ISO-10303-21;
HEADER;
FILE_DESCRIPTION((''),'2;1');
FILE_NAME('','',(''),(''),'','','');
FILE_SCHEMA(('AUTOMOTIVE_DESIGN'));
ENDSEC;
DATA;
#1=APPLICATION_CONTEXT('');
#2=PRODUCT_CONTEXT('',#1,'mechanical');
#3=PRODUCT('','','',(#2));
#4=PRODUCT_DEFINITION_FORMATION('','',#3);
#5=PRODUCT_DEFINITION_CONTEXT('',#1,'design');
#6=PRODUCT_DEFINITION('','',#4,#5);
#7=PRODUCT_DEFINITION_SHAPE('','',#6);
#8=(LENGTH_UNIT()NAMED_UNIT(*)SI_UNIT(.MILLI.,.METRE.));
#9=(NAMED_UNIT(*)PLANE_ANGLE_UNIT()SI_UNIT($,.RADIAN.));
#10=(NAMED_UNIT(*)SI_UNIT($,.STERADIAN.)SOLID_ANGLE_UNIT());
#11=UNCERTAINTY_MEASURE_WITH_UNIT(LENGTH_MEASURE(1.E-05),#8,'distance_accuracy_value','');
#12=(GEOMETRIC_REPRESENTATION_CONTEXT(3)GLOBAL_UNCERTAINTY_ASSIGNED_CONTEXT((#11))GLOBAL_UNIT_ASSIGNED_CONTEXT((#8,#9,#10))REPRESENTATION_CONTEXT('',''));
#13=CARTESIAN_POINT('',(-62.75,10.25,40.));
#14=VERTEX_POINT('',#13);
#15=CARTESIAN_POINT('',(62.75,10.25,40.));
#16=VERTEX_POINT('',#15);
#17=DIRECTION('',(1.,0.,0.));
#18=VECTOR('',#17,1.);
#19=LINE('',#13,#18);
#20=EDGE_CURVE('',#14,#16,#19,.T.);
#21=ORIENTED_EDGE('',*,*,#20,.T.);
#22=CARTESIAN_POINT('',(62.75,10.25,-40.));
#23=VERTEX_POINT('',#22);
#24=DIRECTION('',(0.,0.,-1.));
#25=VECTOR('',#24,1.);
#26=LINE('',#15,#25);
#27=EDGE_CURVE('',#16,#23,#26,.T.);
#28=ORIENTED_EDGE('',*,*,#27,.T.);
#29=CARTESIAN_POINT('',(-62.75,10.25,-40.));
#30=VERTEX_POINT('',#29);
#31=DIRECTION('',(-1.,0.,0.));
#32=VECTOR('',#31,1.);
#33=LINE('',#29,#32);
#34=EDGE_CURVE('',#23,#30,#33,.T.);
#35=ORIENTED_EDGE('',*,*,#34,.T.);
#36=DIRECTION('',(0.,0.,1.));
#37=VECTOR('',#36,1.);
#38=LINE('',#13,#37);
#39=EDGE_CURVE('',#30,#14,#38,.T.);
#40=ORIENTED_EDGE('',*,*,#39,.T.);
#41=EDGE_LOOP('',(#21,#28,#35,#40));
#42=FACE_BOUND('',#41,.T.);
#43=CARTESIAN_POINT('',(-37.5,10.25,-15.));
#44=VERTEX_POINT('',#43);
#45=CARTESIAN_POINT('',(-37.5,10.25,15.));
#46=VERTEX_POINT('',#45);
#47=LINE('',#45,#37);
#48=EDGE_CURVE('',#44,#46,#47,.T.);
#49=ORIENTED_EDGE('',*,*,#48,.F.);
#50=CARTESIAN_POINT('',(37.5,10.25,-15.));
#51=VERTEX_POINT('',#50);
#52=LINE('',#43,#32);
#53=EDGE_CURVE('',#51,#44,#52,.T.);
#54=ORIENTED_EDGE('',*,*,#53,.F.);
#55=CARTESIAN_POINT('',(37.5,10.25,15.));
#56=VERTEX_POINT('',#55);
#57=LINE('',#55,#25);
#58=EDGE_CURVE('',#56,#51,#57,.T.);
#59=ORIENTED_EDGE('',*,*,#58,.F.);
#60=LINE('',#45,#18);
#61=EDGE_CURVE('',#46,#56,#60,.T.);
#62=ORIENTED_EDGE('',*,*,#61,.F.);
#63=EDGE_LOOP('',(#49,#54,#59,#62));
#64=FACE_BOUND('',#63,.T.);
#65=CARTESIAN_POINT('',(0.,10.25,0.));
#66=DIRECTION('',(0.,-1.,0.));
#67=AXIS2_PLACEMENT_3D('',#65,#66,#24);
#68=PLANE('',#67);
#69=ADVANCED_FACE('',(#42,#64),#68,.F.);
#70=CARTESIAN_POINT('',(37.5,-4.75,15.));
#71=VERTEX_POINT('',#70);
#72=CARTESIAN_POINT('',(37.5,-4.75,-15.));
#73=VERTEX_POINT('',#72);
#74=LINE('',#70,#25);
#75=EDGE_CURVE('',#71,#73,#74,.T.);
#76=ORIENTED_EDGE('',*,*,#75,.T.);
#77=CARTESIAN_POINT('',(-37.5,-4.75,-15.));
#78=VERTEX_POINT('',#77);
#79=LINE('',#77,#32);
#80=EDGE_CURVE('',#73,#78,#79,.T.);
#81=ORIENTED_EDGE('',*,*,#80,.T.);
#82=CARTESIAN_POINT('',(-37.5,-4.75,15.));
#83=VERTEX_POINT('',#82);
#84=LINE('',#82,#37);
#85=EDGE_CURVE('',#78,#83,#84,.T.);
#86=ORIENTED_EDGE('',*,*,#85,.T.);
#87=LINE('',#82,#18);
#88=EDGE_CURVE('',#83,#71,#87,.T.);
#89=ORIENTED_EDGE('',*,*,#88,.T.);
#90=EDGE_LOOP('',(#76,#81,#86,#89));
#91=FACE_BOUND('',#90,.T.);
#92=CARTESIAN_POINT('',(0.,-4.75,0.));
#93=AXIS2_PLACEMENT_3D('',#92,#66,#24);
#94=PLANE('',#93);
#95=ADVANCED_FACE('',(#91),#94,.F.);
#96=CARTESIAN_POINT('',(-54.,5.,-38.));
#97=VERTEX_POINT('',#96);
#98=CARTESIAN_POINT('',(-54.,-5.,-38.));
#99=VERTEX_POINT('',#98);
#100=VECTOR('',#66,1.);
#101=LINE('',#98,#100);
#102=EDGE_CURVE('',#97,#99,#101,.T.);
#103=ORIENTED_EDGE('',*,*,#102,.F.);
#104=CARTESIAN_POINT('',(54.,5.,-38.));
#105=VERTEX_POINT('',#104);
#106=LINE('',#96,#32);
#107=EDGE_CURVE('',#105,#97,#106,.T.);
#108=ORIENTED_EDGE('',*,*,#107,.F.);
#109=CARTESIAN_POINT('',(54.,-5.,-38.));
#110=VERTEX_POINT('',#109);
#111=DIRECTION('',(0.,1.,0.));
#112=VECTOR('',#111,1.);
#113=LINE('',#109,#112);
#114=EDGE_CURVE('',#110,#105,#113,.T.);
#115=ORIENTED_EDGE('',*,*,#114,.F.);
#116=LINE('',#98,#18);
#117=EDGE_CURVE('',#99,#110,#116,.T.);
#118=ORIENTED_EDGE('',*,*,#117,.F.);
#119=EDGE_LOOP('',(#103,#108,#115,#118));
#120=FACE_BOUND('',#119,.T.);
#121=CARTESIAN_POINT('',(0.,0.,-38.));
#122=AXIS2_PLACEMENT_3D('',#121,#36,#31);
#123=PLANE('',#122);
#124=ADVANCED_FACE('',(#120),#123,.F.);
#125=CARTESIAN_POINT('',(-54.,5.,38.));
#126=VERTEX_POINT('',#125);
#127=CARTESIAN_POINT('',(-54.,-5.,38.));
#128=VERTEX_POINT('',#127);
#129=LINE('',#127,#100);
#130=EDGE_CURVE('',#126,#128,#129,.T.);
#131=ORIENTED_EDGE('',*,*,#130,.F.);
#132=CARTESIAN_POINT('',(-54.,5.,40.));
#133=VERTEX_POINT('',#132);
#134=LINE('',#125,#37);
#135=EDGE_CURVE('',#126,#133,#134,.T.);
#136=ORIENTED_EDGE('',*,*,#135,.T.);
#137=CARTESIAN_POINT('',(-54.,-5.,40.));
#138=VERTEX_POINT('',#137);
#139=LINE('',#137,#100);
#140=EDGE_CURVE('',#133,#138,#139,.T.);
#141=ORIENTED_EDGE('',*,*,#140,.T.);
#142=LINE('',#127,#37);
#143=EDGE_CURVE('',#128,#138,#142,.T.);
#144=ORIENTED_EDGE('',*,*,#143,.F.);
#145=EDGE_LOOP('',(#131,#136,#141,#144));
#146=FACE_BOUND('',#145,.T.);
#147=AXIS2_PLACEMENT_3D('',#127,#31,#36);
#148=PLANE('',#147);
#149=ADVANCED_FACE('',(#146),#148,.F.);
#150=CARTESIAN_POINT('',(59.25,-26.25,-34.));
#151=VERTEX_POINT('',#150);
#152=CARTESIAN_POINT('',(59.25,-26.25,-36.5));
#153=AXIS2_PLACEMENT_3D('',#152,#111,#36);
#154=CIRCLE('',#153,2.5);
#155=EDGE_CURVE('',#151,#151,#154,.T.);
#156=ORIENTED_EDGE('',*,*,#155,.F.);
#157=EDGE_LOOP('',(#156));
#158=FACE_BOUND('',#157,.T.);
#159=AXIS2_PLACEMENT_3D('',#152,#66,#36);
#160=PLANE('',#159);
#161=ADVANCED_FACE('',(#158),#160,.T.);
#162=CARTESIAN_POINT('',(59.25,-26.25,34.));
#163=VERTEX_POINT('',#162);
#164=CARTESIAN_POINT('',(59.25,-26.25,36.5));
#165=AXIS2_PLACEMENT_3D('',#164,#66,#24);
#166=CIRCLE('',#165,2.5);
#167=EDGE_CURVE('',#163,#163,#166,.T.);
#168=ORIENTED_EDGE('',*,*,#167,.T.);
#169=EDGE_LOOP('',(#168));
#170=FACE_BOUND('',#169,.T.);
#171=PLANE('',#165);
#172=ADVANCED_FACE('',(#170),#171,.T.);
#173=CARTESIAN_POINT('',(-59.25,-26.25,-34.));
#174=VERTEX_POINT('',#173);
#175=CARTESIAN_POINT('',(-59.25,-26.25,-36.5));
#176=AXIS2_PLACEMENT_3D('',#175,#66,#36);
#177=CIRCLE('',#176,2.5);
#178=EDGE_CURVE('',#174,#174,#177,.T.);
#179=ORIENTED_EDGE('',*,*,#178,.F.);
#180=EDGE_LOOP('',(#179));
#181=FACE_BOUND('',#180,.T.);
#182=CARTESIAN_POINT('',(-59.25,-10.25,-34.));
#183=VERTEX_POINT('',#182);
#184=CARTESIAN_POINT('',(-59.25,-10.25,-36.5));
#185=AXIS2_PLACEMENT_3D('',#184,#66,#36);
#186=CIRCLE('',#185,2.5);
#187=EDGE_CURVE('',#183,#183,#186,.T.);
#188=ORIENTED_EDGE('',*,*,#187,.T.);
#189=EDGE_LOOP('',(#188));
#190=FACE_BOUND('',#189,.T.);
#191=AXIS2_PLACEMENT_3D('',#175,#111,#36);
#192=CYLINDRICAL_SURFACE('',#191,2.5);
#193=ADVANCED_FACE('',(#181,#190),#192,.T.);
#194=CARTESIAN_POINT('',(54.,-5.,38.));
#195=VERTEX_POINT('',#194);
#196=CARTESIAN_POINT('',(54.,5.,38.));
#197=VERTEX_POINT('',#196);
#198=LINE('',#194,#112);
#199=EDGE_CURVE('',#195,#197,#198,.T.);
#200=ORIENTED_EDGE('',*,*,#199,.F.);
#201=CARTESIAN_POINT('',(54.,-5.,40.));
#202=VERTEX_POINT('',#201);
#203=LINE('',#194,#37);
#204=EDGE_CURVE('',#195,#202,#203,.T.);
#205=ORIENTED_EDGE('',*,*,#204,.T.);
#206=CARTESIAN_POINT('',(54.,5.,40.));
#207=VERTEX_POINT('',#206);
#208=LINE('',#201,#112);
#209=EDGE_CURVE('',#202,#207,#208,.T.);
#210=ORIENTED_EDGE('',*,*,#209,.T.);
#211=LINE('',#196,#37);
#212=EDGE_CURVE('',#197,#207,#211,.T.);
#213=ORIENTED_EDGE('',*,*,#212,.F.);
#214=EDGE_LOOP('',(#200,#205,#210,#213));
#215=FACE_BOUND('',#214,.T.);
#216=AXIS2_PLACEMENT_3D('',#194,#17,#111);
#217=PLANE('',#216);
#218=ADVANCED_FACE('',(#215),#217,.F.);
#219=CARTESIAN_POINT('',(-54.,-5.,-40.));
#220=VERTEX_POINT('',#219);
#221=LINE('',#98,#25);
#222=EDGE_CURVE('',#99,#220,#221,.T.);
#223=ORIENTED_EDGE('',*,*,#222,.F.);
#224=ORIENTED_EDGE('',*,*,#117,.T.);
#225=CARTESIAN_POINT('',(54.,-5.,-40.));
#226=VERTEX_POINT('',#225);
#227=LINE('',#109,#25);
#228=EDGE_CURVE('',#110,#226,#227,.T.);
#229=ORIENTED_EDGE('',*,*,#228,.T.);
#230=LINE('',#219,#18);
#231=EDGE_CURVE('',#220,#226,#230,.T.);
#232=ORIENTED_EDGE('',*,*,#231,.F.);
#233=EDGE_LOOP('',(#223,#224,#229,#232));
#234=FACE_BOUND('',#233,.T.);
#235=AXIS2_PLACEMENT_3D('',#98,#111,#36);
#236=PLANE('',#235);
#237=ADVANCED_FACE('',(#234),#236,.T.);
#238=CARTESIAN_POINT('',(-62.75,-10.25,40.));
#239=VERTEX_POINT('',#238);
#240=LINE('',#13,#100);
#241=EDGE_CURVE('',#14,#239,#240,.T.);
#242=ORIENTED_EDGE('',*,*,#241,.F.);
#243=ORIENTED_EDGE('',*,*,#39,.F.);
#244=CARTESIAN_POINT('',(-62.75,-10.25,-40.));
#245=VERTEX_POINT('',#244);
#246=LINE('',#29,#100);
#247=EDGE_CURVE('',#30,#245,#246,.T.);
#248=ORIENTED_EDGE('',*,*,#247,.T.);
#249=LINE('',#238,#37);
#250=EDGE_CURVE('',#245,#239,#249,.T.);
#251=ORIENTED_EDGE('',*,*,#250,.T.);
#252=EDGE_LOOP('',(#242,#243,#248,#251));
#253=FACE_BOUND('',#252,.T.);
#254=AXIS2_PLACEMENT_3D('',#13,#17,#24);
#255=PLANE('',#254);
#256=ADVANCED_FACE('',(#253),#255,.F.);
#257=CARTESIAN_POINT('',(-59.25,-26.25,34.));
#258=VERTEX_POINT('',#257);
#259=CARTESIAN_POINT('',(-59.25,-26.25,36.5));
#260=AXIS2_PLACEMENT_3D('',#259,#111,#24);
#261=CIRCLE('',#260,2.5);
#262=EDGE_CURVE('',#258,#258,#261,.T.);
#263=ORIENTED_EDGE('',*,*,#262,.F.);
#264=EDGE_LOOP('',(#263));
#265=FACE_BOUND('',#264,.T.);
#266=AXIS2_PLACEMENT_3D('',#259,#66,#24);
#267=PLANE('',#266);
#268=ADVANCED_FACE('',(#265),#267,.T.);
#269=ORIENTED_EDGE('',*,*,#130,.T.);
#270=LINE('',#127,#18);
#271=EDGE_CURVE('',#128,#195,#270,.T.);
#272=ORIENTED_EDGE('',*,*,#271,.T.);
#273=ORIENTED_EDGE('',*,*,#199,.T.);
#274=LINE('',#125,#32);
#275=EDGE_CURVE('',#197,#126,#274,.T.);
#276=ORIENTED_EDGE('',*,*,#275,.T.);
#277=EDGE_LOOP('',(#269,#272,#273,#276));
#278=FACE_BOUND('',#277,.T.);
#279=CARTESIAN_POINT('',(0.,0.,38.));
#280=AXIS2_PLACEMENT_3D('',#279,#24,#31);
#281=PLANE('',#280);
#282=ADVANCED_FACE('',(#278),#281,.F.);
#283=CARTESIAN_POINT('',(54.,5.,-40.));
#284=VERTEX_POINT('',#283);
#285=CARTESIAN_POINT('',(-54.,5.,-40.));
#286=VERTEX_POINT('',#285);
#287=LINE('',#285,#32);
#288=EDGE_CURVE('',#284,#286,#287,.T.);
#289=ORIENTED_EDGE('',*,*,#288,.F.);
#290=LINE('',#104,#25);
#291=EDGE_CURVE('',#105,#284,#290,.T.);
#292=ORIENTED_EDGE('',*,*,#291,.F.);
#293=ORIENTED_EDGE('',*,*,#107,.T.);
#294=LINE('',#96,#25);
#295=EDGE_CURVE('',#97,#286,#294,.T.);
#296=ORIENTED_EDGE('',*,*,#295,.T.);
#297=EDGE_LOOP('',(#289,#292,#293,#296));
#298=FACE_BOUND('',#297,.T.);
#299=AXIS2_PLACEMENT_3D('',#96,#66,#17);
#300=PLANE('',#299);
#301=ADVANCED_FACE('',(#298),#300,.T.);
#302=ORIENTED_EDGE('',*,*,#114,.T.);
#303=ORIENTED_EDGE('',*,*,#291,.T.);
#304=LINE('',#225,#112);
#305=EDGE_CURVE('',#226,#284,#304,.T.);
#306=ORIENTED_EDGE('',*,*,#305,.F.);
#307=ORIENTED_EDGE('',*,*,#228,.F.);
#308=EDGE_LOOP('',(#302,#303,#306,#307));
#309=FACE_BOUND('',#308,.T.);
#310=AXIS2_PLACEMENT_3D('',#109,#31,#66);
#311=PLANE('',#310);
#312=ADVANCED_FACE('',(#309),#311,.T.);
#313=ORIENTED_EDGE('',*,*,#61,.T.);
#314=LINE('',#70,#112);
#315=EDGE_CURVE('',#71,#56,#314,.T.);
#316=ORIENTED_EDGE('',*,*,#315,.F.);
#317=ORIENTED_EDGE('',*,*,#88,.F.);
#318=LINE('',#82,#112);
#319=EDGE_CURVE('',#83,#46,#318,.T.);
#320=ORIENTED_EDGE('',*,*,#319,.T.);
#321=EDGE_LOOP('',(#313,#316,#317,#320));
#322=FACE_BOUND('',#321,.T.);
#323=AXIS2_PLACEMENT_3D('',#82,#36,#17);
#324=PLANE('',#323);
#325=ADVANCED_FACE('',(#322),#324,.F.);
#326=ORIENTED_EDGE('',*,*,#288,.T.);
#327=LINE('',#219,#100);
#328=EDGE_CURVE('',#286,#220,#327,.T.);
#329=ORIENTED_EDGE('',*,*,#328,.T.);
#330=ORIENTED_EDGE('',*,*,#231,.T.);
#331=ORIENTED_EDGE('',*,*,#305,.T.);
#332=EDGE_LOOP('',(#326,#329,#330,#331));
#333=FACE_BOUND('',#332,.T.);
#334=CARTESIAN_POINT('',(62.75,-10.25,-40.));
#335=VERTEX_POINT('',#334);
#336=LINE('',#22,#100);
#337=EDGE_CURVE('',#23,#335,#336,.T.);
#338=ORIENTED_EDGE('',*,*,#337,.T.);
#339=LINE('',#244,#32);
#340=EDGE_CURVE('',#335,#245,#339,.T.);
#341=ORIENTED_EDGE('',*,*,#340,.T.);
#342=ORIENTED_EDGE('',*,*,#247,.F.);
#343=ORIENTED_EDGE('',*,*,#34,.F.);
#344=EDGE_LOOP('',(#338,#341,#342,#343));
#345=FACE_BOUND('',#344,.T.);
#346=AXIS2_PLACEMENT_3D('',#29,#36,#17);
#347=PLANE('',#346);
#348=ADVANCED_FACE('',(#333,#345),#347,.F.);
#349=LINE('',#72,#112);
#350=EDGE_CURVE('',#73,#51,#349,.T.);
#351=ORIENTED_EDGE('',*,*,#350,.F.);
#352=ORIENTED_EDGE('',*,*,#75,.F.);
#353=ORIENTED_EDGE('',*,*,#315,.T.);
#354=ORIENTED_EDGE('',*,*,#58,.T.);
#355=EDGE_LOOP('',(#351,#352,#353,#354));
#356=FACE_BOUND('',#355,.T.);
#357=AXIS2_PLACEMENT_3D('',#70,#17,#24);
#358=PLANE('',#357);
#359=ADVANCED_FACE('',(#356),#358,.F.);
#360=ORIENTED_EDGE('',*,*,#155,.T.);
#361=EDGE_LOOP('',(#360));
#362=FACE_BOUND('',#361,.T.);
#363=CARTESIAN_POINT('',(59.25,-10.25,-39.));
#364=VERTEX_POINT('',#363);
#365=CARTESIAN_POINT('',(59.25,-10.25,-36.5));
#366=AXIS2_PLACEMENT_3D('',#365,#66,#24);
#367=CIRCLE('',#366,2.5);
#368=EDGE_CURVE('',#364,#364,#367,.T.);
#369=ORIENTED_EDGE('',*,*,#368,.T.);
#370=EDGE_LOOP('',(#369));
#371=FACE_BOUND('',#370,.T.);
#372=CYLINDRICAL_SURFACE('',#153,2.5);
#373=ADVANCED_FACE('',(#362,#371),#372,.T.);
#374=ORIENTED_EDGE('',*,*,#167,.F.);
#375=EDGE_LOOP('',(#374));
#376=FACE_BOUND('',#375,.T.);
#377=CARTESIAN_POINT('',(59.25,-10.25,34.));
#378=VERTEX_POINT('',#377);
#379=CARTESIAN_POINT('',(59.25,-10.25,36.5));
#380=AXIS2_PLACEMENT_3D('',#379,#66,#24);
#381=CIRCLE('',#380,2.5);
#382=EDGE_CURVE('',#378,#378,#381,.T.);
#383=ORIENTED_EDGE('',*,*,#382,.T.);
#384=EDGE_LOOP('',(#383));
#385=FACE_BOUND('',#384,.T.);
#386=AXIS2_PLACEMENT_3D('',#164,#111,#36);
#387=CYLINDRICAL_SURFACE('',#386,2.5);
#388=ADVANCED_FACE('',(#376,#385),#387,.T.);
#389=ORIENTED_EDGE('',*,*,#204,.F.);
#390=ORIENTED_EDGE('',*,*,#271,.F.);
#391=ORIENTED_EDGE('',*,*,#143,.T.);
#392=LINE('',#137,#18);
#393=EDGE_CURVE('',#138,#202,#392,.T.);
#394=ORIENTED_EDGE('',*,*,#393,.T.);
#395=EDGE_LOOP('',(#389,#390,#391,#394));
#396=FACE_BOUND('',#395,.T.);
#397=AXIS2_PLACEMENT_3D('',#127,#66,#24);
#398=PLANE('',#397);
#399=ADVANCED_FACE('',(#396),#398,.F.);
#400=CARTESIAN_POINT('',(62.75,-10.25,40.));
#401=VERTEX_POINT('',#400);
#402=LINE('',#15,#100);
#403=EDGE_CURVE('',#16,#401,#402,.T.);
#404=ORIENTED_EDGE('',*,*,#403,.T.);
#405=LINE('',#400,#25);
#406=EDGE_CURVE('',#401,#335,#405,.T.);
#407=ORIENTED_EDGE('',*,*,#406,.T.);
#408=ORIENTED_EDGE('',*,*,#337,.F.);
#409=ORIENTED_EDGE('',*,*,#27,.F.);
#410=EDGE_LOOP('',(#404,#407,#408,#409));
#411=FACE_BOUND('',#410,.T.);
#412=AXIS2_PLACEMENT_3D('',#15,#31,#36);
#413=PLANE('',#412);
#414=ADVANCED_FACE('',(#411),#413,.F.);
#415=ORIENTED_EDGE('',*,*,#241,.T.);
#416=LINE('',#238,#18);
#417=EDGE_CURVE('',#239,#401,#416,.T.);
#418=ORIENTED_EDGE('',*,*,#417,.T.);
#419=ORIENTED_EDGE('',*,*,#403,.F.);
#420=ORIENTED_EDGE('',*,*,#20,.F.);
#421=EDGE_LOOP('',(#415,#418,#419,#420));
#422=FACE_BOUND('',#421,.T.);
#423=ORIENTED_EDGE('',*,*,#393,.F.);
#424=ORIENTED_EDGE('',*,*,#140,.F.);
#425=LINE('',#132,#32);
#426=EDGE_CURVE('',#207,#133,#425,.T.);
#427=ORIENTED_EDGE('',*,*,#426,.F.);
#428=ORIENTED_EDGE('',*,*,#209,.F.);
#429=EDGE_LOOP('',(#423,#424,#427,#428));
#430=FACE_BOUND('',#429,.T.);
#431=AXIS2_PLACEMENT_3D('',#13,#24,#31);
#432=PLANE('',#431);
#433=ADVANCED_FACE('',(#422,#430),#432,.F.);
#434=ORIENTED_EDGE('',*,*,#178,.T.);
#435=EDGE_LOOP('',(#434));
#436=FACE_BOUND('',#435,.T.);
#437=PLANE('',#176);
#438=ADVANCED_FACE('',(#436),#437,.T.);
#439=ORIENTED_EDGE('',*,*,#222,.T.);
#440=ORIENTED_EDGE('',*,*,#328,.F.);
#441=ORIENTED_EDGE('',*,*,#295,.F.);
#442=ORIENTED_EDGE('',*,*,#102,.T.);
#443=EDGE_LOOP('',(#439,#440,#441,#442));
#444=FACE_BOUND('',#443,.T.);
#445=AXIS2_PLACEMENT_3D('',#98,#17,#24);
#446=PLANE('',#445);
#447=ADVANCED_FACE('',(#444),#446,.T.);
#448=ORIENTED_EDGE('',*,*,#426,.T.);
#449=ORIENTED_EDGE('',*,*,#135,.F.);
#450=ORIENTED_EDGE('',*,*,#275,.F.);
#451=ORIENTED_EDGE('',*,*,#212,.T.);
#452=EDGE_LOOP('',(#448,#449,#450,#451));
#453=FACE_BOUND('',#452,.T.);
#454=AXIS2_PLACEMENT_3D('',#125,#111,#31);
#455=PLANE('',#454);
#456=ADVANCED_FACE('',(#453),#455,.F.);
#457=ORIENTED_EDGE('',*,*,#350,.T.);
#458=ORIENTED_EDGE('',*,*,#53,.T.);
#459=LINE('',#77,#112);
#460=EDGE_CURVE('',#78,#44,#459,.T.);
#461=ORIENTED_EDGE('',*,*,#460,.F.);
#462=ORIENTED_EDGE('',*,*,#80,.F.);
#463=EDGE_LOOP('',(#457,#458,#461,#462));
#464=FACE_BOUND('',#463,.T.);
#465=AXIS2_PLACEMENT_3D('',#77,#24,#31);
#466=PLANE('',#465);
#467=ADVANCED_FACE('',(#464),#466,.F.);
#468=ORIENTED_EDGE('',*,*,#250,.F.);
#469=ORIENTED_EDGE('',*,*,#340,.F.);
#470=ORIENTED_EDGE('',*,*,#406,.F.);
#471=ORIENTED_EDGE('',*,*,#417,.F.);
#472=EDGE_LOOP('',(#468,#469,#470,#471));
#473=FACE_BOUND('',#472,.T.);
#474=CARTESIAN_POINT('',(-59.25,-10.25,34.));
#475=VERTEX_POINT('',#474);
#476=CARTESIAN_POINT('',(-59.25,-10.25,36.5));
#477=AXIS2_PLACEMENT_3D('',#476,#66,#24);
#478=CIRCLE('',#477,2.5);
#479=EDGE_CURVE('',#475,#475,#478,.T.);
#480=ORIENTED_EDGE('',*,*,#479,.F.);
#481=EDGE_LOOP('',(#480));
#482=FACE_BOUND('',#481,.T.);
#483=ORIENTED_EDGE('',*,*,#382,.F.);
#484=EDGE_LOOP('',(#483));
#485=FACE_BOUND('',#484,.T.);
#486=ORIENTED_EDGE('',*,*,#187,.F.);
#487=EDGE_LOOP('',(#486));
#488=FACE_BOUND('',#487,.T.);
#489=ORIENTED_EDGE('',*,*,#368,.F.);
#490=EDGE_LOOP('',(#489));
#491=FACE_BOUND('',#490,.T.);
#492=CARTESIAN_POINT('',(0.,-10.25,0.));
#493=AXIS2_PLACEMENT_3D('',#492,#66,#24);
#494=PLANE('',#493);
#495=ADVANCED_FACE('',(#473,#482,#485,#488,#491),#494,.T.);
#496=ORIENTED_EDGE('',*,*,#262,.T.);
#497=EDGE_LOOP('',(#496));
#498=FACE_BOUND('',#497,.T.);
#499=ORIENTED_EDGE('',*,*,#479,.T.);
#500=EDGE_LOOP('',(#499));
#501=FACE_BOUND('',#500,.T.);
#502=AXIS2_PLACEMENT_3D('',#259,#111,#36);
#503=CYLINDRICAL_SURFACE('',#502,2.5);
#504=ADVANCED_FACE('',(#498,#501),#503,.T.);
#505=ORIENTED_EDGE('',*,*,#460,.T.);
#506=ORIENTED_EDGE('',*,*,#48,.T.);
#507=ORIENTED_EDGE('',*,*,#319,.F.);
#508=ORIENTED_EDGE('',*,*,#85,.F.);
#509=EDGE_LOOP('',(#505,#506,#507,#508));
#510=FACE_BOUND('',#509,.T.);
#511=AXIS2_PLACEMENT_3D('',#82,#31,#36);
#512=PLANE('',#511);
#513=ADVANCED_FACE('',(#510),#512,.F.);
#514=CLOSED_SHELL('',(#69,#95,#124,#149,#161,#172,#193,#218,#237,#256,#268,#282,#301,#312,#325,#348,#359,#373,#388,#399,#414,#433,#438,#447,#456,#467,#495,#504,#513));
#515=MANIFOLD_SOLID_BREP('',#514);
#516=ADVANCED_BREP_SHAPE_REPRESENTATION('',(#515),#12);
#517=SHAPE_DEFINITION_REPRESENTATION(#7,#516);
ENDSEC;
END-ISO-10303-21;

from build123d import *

# Parameters (mm, degrees)
SKETCH_2_W                                 = 125.5
SKETCH_2_H                                 = 80
EXTRUDE_1_DEPTH                            = 10.25
SKETCH_3_W                                 = 75
SKETCH_3_H                                 = 30
CUT_EXTRUDE_1_DEPTH                        = 15
SKETCH_4_R                                 = 2.5
EXTRUDE_2_DEPTH                            = 16
MIRROR_1_AT_THE_SECOND_PLANE_COPY_1_SKET_R = 2.5
MIRROR_1_AT_THE_SECOND_PLANE_COPY_1_DEPTH  = 16
SKETCH_5_W                                 = 108
SKETCH_5_H                                 = 10
CUT_EXTRUDE_2_DEPTH                        = 2


with BuildPart() as part:
    # 草图2 → 凸台-拉伸1 (new, symmetric)
    with BuildSketch(Plane(origin=(0, 0, 0), x_dir=(1, 0, 0), z_dir=(0, 1, 0))):
        Rectangle(SKETCH_2_W, SKETCH_2_H)
    extrude(amount=EXTRUDE_1_DEPTH, both=True)

    # 草图3 → 切除-拉伸1 (cut)
    with BuildSketch(Plane(origin=(0, 10.25, 0), x_dir=(1, 0, 0), z_dir=(0, 1, 0))):
        Rectangle(SKETCH_3_W, SKETCH_3_H)
    extrude(amount=-CUT_EXTRUDE_1_DEPTH, mode=Mode.SUBTRACT)

    # 草图4 → 凸台-拉伸2 (add)
    with BuildSketch(Plane.XZ.offset(10.25)):
        with Locations(Location((59.25, 36.5, 0), (0, 0, 270))):
            Circle(SKETCH_4_R)
    extrude_2 = extrude(amount=EXTRUDE_2_DEPTH)

    # 镜向1: 凸台-拉伸2 across plane
    add(extrude_2.mirror(Plane(origin=(0, 0, 0), x_dir=(0, 0, 1), z_dir=(1, 0, 0))))

    # 镜向1 at the second plane: 凸台-拉伸2 across plane
    add(extrude_2.mirror(Plane.XY))

    # 镜向1 at the second plane copy 1 sket → 镜向1 at the second plane copy 1 (add)
    with BuildSketch(Plane(origin=(0, -10.25, 0), x_dir=(-1, 0, 0), z_dir=(0, -1, 0))):
        with Locations(Location((59.25, 36.5, 0), (0, 0, 270))):
            Circle(MIRROR_1_AT_THE_SECOND_PLANE_COPY_1_SKET_R)
    extrude(amount=MIRROR_1_AT_THE_SECOND_PLANE_COPY_1_DEPTH)

    # 草图5 → 切除-拉伸2 (cut)
    with BuildSketch(Plane.XY.offset(40)):
        Rectangle(SKETCH_5_W, SKETCH_5_H)
    cut_extrude_2 = extrude(amount=-CUT_EXTRUDE_2_DEPTH, mode=Mode.SUBTRACT)

    # 镜向2: 切除-拉伸2 across plane
    add(cut_extrude_2.mirror(Plane.XY), mode=Mode.SUBTRACT)


solid = part.part
